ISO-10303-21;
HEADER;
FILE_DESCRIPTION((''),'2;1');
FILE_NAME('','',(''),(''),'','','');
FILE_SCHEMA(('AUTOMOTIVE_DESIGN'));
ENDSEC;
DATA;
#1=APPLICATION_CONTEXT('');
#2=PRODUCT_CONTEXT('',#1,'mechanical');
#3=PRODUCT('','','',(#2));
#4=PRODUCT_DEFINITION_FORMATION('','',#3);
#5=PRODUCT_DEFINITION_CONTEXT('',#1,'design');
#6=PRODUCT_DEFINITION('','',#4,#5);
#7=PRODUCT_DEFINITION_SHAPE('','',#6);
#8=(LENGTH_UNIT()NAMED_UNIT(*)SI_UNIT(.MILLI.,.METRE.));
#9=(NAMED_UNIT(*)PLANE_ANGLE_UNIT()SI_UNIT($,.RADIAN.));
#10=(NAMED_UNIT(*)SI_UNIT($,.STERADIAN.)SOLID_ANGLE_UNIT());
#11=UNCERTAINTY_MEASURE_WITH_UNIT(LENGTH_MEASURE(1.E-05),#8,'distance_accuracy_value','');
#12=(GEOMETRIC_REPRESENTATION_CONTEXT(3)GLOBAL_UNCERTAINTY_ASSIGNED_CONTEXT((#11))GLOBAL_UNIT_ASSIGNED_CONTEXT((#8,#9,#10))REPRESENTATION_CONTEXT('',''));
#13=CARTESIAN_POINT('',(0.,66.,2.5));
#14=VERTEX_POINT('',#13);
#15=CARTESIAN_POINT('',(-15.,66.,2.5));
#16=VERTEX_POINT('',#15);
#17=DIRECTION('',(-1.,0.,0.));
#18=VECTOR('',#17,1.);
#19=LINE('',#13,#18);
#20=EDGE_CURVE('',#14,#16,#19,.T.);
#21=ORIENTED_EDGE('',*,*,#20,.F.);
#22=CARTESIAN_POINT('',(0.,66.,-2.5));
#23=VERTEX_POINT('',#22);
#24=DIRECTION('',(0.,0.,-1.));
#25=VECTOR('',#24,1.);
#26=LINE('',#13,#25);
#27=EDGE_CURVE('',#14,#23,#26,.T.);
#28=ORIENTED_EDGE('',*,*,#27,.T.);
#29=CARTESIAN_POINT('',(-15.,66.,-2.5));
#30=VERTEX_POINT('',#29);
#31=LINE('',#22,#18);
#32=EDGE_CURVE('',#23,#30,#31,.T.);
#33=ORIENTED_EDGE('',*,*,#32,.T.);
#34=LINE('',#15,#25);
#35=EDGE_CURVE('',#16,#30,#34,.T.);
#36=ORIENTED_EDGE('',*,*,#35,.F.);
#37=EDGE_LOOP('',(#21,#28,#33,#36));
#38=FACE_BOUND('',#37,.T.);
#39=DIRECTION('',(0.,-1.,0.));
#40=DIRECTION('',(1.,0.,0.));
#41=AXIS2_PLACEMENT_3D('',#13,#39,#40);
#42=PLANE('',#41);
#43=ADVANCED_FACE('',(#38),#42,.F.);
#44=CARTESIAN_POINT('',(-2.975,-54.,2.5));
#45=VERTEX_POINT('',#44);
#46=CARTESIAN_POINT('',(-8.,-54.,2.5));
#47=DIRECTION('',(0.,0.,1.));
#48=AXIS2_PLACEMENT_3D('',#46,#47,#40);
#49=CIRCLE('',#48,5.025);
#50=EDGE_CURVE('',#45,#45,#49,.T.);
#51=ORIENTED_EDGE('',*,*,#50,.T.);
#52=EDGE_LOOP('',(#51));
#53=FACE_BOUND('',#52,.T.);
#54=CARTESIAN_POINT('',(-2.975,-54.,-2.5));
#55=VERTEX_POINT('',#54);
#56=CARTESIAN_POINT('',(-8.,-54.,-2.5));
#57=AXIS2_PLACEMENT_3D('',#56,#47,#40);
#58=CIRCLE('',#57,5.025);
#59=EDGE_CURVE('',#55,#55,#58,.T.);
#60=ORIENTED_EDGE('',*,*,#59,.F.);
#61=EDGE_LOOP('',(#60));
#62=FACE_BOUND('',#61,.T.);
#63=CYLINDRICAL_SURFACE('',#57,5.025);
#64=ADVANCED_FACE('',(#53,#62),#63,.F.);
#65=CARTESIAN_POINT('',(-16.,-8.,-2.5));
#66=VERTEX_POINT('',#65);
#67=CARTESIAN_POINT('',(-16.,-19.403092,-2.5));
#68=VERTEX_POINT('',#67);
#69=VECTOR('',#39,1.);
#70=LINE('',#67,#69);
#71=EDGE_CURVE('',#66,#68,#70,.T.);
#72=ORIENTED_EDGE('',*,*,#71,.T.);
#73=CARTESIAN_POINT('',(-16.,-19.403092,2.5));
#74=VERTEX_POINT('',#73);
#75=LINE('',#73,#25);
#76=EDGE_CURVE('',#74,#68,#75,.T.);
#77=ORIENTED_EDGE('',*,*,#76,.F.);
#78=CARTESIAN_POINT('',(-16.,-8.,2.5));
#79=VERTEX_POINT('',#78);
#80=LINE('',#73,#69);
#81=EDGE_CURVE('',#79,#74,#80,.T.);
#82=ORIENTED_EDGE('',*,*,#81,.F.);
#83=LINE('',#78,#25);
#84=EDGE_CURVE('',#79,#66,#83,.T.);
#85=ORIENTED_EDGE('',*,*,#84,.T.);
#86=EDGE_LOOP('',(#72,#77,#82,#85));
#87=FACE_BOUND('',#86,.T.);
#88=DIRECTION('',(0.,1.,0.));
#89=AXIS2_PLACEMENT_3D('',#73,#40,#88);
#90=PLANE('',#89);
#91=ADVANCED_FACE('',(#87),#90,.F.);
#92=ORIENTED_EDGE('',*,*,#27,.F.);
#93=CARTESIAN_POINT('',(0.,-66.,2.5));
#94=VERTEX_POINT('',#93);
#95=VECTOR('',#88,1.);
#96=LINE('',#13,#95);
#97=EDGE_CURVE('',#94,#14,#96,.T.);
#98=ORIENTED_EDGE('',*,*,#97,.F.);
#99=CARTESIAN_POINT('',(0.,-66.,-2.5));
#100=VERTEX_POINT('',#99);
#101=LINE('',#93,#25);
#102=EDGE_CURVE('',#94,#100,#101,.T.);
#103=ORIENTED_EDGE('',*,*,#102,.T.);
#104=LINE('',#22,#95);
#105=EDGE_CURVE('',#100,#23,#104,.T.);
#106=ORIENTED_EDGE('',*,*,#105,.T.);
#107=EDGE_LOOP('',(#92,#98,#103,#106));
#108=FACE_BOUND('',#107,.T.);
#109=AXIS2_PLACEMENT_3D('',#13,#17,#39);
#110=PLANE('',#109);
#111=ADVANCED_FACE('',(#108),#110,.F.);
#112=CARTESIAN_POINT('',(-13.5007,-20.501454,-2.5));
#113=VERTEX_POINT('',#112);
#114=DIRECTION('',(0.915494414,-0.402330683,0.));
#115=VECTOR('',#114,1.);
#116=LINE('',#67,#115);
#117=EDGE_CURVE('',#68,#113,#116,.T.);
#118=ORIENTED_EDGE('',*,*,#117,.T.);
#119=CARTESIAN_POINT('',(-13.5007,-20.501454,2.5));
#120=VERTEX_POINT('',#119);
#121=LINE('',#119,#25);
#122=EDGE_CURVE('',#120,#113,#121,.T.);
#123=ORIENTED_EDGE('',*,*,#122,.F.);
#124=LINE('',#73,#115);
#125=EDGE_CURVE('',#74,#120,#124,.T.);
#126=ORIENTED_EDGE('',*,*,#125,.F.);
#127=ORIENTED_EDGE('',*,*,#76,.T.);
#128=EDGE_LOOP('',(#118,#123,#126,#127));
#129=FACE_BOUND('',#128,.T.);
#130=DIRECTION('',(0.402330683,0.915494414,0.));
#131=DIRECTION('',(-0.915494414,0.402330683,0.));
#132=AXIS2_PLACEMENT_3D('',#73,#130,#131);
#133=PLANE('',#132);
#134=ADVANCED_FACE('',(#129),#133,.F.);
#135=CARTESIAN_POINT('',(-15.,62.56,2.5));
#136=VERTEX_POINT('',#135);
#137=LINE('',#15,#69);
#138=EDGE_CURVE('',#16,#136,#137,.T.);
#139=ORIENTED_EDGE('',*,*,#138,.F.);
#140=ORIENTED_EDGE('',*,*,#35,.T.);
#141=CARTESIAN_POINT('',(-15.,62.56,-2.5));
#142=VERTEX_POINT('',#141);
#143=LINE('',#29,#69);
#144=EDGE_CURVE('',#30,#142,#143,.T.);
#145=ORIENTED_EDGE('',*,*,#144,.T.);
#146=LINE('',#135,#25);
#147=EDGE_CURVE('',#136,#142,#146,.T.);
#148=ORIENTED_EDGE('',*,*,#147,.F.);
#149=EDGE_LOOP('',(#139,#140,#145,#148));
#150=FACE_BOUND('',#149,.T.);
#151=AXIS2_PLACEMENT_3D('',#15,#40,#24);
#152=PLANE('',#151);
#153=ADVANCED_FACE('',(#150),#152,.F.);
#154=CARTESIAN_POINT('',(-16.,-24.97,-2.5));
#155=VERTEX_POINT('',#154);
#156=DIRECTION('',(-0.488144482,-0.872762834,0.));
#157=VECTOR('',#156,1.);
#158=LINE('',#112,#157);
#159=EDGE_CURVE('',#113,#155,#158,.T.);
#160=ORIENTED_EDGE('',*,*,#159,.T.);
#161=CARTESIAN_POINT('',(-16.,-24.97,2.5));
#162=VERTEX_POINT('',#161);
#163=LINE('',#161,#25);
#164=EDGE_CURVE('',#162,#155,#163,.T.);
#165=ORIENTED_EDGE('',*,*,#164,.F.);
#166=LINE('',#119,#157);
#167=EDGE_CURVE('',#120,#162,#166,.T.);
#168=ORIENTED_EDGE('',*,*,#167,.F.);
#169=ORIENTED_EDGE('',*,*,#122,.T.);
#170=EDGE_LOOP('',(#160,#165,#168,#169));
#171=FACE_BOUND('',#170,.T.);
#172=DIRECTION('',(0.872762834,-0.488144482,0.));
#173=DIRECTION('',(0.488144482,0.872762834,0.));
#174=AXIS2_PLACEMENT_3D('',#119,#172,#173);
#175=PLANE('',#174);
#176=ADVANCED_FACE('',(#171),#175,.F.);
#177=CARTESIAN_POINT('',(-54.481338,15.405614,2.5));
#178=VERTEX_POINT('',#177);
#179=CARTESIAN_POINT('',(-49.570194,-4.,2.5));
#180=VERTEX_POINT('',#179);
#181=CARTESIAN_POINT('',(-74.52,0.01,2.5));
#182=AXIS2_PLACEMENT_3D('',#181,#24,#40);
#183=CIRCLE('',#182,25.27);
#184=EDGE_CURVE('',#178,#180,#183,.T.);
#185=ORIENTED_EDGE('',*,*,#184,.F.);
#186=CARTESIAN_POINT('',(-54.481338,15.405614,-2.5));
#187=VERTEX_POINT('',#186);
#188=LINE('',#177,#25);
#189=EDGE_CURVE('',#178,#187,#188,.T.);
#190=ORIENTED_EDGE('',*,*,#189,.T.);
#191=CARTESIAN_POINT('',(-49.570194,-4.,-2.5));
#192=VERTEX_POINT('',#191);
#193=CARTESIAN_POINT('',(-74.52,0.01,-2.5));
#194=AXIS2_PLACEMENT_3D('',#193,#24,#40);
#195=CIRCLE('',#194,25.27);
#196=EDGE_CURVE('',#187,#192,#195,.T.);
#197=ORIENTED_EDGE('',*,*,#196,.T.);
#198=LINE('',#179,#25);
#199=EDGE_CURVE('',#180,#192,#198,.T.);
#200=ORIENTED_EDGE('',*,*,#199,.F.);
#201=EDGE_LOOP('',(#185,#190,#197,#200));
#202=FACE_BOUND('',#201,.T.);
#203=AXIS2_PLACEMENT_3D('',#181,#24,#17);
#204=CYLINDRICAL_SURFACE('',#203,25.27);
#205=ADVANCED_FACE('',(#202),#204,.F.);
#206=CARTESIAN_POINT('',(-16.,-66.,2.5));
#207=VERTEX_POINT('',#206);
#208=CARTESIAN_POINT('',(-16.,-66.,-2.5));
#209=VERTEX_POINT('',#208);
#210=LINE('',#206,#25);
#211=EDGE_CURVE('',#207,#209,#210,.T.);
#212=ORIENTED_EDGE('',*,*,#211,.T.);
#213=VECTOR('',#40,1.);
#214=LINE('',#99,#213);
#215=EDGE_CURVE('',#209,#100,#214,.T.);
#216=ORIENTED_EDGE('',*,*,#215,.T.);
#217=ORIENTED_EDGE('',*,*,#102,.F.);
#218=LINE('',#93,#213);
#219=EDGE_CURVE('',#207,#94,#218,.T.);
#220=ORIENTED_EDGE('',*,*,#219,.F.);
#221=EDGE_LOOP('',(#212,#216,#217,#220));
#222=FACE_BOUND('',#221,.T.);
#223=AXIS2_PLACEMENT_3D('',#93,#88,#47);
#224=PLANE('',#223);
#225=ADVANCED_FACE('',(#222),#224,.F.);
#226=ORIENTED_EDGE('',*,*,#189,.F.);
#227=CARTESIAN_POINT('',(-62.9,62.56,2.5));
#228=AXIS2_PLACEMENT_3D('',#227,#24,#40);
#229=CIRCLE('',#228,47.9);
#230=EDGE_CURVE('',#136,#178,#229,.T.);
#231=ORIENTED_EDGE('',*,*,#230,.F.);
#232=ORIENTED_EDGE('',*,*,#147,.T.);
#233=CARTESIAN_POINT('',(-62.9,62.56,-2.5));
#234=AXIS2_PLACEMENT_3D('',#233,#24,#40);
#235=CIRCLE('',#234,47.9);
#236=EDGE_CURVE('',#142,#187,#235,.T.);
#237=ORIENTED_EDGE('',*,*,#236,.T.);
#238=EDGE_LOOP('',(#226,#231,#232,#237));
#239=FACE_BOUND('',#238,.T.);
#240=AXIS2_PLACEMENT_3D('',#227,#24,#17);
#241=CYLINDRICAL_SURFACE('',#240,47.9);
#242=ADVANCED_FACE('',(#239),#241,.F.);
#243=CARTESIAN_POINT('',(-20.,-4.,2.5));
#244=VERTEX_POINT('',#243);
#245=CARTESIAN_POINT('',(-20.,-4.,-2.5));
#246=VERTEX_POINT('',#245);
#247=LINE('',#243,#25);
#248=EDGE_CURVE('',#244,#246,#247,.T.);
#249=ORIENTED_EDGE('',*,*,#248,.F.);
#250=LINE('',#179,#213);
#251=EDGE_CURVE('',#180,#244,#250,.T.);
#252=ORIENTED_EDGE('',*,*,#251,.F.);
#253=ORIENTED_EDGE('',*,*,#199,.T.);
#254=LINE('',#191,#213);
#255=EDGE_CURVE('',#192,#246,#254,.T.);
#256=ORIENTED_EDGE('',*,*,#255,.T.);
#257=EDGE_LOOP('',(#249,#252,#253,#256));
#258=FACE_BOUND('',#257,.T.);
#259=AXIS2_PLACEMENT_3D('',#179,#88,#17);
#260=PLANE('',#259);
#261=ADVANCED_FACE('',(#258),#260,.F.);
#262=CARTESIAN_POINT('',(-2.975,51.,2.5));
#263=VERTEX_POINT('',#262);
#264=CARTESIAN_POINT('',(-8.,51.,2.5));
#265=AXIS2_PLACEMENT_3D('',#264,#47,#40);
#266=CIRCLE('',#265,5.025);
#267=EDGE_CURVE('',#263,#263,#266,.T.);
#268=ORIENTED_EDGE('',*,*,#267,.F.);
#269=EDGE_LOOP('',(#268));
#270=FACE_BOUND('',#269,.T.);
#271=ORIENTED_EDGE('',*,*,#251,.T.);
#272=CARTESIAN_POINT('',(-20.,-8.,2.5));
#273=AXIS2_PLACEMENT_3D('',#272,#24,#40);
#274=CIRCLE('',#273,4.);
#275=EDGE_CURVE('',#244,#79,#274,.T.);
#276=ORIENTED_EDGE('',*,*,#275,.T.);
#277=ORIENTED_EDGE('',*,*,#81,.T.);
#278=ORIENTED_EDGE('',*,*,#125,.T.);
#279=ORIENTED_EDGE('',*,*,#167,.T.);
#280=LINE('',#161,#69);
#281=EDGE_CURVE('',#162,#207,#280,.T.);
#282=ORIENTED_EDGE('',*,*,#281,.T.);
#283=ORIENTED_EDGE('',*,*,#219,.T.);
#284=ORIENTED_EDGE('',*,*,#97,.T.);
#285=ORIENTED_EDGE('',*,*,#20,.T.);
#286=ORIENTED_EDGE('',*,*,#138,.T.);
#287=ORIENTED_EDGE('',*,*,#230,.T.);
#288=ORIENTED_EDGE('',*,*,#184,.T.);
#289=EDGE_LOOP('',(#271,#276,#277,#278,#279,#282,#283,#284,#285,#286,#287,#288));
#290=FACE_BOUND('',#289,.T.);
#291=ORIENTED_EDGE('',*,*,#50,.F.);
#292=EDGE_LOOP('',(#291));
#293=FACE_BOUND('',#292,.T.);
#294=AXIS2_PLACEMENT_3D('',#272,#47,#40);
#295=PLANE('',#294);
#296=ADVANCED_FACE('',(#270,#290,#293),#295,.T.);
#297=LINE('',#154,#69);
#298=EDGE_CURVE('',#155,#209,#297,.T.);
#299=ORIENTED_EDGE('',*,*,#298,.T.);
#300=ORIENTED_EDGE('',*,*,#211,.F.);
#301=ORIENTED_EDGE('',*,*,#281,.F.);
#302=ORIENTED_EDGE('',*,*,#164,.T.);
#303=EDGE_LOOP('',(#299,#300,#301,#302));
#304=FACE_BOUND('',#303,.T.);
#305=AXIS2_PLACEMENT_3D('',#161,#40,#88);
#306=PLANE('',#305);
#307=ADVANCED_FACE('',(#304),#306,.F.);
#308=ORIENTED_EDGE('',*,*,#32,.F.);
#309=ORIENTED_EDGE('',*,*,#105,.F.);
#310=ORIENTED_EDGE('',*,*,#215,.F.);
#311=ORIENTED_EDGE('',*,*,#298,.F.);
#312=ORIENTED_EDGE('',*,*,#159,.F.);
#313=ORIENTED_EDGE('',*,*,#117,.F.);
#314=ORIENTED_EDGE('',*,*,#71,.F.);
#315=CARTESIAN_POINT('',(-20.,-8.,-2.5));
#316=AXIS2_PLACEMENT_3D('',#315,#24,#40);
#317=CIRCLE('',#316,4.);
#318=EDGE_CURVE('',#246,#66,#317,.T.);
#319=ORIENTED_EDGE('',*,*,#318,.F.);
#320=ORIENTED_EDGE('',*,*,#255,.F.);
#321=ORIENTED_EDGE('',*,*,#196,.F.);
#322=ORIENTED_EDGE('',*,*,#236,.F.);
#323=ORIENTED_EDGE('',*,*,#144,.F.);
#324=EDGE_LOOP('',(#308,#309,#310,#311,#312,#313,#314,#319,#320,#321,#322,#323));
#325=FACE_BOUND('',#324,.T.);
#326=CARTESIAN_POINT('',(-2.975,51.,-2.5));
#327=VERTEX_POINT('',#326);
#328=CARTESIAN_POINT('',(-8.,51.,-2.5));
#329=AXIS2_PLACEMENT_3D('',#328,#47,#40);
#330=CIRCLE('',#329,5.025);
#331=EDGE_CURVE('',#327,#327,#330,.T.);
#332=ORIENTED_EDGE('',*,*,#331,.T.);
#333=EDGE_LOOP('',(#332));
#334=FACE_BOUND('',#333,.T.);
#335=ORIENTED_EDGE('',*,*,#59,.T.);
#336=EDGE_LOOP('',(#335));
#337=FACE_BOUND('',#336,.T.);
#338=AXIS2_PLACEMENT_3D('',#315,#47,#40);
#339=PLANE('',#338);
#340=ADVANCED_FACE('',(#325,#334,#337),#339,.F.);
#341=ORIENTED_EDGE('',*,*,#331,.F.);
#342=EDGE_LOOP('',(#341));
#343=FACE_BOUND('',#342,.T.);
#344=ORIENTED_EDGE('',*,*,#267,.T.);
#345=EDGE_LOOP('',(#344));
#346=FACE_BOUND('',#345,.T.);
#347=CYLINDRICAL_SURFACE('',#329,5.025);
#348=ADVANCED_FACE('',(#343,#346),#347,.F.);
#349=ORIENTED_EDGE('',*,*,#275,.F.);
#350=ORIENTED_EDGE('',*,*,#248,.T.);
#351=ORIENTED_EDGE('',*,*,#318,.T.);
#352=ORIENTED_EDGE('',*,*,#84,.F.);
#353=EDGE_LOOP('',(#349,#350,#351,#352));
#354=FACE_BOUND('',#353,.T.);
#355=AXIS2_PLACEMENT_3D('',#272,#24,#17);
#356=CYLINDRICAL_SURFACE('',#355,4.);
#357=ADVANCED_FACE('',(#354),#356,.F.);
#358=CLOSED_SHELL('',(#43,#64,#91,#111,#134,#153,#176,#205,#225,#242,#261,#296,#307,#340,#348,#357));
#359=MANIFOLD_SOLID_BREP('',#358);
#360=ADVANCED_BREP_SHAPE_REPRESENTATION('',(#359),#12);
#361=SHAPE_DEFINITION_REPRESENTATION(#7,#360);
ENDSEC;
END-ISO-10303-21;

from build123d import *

# Parameters (mm, degrees)
BOSS_EXTRUDE1_DEPTH = 2.5
SKETCH2_R           = 5.025
CUT_EXTRUDE1_DEPTH  = 86.727569626


with BuildPart() as part:
    # Sketch1 → Boss-Extrude1 (new, symmetric)
    with BuildSketch(Plane.XY):
        with BuildLine():
            Line((-49.57019439, -4), (-20, -4))
            ThreePointArc((-20, -4), (-17.171572875, -5.171572875), (-16, -8))
            Line((-16, -8), (-16, -19.403091525))
            Line((-16, -19.403091525), (-13.500700251, -20.50145429))
            Line((-13.500700251, -20.50145429), (-16, -24.97))
            Line((-16, -24.97), (-16, -66))
            Line((-16, -66), (0, -66))
            Line((0, -66), (0, 66))
            Line((0, 66), (-15, 66))
            Line((-15, 66), (-15, 62.56))
            ThreePointArc((-15, 62.56), (-26.17355239, 31.809747222), (-54.481338034, 15.405613876))
            ThreePointArc((-54.481338034, 15.405613876), (-50.022346721, 6.209829337), (-49.57019439, -4))
        make_face()
    extrude(amount=BOSS_EXTRUDE1_DEPTH, both=True)

    # Sketch2 → Cut-Extrude1 (cut, through all)
    with BuildSketch(Plane.XY.offset(2.5)):
        with Locations((-8, 51)):
            Circle(SKETCH2_R)
        with Locations((-8, -54)):
            Circle(SKETCH2_R)
    extrude(amount=-CUT_EXTRUDE1_DEPTH, mode=Mode.SUBTRACT)


solid = part.part
